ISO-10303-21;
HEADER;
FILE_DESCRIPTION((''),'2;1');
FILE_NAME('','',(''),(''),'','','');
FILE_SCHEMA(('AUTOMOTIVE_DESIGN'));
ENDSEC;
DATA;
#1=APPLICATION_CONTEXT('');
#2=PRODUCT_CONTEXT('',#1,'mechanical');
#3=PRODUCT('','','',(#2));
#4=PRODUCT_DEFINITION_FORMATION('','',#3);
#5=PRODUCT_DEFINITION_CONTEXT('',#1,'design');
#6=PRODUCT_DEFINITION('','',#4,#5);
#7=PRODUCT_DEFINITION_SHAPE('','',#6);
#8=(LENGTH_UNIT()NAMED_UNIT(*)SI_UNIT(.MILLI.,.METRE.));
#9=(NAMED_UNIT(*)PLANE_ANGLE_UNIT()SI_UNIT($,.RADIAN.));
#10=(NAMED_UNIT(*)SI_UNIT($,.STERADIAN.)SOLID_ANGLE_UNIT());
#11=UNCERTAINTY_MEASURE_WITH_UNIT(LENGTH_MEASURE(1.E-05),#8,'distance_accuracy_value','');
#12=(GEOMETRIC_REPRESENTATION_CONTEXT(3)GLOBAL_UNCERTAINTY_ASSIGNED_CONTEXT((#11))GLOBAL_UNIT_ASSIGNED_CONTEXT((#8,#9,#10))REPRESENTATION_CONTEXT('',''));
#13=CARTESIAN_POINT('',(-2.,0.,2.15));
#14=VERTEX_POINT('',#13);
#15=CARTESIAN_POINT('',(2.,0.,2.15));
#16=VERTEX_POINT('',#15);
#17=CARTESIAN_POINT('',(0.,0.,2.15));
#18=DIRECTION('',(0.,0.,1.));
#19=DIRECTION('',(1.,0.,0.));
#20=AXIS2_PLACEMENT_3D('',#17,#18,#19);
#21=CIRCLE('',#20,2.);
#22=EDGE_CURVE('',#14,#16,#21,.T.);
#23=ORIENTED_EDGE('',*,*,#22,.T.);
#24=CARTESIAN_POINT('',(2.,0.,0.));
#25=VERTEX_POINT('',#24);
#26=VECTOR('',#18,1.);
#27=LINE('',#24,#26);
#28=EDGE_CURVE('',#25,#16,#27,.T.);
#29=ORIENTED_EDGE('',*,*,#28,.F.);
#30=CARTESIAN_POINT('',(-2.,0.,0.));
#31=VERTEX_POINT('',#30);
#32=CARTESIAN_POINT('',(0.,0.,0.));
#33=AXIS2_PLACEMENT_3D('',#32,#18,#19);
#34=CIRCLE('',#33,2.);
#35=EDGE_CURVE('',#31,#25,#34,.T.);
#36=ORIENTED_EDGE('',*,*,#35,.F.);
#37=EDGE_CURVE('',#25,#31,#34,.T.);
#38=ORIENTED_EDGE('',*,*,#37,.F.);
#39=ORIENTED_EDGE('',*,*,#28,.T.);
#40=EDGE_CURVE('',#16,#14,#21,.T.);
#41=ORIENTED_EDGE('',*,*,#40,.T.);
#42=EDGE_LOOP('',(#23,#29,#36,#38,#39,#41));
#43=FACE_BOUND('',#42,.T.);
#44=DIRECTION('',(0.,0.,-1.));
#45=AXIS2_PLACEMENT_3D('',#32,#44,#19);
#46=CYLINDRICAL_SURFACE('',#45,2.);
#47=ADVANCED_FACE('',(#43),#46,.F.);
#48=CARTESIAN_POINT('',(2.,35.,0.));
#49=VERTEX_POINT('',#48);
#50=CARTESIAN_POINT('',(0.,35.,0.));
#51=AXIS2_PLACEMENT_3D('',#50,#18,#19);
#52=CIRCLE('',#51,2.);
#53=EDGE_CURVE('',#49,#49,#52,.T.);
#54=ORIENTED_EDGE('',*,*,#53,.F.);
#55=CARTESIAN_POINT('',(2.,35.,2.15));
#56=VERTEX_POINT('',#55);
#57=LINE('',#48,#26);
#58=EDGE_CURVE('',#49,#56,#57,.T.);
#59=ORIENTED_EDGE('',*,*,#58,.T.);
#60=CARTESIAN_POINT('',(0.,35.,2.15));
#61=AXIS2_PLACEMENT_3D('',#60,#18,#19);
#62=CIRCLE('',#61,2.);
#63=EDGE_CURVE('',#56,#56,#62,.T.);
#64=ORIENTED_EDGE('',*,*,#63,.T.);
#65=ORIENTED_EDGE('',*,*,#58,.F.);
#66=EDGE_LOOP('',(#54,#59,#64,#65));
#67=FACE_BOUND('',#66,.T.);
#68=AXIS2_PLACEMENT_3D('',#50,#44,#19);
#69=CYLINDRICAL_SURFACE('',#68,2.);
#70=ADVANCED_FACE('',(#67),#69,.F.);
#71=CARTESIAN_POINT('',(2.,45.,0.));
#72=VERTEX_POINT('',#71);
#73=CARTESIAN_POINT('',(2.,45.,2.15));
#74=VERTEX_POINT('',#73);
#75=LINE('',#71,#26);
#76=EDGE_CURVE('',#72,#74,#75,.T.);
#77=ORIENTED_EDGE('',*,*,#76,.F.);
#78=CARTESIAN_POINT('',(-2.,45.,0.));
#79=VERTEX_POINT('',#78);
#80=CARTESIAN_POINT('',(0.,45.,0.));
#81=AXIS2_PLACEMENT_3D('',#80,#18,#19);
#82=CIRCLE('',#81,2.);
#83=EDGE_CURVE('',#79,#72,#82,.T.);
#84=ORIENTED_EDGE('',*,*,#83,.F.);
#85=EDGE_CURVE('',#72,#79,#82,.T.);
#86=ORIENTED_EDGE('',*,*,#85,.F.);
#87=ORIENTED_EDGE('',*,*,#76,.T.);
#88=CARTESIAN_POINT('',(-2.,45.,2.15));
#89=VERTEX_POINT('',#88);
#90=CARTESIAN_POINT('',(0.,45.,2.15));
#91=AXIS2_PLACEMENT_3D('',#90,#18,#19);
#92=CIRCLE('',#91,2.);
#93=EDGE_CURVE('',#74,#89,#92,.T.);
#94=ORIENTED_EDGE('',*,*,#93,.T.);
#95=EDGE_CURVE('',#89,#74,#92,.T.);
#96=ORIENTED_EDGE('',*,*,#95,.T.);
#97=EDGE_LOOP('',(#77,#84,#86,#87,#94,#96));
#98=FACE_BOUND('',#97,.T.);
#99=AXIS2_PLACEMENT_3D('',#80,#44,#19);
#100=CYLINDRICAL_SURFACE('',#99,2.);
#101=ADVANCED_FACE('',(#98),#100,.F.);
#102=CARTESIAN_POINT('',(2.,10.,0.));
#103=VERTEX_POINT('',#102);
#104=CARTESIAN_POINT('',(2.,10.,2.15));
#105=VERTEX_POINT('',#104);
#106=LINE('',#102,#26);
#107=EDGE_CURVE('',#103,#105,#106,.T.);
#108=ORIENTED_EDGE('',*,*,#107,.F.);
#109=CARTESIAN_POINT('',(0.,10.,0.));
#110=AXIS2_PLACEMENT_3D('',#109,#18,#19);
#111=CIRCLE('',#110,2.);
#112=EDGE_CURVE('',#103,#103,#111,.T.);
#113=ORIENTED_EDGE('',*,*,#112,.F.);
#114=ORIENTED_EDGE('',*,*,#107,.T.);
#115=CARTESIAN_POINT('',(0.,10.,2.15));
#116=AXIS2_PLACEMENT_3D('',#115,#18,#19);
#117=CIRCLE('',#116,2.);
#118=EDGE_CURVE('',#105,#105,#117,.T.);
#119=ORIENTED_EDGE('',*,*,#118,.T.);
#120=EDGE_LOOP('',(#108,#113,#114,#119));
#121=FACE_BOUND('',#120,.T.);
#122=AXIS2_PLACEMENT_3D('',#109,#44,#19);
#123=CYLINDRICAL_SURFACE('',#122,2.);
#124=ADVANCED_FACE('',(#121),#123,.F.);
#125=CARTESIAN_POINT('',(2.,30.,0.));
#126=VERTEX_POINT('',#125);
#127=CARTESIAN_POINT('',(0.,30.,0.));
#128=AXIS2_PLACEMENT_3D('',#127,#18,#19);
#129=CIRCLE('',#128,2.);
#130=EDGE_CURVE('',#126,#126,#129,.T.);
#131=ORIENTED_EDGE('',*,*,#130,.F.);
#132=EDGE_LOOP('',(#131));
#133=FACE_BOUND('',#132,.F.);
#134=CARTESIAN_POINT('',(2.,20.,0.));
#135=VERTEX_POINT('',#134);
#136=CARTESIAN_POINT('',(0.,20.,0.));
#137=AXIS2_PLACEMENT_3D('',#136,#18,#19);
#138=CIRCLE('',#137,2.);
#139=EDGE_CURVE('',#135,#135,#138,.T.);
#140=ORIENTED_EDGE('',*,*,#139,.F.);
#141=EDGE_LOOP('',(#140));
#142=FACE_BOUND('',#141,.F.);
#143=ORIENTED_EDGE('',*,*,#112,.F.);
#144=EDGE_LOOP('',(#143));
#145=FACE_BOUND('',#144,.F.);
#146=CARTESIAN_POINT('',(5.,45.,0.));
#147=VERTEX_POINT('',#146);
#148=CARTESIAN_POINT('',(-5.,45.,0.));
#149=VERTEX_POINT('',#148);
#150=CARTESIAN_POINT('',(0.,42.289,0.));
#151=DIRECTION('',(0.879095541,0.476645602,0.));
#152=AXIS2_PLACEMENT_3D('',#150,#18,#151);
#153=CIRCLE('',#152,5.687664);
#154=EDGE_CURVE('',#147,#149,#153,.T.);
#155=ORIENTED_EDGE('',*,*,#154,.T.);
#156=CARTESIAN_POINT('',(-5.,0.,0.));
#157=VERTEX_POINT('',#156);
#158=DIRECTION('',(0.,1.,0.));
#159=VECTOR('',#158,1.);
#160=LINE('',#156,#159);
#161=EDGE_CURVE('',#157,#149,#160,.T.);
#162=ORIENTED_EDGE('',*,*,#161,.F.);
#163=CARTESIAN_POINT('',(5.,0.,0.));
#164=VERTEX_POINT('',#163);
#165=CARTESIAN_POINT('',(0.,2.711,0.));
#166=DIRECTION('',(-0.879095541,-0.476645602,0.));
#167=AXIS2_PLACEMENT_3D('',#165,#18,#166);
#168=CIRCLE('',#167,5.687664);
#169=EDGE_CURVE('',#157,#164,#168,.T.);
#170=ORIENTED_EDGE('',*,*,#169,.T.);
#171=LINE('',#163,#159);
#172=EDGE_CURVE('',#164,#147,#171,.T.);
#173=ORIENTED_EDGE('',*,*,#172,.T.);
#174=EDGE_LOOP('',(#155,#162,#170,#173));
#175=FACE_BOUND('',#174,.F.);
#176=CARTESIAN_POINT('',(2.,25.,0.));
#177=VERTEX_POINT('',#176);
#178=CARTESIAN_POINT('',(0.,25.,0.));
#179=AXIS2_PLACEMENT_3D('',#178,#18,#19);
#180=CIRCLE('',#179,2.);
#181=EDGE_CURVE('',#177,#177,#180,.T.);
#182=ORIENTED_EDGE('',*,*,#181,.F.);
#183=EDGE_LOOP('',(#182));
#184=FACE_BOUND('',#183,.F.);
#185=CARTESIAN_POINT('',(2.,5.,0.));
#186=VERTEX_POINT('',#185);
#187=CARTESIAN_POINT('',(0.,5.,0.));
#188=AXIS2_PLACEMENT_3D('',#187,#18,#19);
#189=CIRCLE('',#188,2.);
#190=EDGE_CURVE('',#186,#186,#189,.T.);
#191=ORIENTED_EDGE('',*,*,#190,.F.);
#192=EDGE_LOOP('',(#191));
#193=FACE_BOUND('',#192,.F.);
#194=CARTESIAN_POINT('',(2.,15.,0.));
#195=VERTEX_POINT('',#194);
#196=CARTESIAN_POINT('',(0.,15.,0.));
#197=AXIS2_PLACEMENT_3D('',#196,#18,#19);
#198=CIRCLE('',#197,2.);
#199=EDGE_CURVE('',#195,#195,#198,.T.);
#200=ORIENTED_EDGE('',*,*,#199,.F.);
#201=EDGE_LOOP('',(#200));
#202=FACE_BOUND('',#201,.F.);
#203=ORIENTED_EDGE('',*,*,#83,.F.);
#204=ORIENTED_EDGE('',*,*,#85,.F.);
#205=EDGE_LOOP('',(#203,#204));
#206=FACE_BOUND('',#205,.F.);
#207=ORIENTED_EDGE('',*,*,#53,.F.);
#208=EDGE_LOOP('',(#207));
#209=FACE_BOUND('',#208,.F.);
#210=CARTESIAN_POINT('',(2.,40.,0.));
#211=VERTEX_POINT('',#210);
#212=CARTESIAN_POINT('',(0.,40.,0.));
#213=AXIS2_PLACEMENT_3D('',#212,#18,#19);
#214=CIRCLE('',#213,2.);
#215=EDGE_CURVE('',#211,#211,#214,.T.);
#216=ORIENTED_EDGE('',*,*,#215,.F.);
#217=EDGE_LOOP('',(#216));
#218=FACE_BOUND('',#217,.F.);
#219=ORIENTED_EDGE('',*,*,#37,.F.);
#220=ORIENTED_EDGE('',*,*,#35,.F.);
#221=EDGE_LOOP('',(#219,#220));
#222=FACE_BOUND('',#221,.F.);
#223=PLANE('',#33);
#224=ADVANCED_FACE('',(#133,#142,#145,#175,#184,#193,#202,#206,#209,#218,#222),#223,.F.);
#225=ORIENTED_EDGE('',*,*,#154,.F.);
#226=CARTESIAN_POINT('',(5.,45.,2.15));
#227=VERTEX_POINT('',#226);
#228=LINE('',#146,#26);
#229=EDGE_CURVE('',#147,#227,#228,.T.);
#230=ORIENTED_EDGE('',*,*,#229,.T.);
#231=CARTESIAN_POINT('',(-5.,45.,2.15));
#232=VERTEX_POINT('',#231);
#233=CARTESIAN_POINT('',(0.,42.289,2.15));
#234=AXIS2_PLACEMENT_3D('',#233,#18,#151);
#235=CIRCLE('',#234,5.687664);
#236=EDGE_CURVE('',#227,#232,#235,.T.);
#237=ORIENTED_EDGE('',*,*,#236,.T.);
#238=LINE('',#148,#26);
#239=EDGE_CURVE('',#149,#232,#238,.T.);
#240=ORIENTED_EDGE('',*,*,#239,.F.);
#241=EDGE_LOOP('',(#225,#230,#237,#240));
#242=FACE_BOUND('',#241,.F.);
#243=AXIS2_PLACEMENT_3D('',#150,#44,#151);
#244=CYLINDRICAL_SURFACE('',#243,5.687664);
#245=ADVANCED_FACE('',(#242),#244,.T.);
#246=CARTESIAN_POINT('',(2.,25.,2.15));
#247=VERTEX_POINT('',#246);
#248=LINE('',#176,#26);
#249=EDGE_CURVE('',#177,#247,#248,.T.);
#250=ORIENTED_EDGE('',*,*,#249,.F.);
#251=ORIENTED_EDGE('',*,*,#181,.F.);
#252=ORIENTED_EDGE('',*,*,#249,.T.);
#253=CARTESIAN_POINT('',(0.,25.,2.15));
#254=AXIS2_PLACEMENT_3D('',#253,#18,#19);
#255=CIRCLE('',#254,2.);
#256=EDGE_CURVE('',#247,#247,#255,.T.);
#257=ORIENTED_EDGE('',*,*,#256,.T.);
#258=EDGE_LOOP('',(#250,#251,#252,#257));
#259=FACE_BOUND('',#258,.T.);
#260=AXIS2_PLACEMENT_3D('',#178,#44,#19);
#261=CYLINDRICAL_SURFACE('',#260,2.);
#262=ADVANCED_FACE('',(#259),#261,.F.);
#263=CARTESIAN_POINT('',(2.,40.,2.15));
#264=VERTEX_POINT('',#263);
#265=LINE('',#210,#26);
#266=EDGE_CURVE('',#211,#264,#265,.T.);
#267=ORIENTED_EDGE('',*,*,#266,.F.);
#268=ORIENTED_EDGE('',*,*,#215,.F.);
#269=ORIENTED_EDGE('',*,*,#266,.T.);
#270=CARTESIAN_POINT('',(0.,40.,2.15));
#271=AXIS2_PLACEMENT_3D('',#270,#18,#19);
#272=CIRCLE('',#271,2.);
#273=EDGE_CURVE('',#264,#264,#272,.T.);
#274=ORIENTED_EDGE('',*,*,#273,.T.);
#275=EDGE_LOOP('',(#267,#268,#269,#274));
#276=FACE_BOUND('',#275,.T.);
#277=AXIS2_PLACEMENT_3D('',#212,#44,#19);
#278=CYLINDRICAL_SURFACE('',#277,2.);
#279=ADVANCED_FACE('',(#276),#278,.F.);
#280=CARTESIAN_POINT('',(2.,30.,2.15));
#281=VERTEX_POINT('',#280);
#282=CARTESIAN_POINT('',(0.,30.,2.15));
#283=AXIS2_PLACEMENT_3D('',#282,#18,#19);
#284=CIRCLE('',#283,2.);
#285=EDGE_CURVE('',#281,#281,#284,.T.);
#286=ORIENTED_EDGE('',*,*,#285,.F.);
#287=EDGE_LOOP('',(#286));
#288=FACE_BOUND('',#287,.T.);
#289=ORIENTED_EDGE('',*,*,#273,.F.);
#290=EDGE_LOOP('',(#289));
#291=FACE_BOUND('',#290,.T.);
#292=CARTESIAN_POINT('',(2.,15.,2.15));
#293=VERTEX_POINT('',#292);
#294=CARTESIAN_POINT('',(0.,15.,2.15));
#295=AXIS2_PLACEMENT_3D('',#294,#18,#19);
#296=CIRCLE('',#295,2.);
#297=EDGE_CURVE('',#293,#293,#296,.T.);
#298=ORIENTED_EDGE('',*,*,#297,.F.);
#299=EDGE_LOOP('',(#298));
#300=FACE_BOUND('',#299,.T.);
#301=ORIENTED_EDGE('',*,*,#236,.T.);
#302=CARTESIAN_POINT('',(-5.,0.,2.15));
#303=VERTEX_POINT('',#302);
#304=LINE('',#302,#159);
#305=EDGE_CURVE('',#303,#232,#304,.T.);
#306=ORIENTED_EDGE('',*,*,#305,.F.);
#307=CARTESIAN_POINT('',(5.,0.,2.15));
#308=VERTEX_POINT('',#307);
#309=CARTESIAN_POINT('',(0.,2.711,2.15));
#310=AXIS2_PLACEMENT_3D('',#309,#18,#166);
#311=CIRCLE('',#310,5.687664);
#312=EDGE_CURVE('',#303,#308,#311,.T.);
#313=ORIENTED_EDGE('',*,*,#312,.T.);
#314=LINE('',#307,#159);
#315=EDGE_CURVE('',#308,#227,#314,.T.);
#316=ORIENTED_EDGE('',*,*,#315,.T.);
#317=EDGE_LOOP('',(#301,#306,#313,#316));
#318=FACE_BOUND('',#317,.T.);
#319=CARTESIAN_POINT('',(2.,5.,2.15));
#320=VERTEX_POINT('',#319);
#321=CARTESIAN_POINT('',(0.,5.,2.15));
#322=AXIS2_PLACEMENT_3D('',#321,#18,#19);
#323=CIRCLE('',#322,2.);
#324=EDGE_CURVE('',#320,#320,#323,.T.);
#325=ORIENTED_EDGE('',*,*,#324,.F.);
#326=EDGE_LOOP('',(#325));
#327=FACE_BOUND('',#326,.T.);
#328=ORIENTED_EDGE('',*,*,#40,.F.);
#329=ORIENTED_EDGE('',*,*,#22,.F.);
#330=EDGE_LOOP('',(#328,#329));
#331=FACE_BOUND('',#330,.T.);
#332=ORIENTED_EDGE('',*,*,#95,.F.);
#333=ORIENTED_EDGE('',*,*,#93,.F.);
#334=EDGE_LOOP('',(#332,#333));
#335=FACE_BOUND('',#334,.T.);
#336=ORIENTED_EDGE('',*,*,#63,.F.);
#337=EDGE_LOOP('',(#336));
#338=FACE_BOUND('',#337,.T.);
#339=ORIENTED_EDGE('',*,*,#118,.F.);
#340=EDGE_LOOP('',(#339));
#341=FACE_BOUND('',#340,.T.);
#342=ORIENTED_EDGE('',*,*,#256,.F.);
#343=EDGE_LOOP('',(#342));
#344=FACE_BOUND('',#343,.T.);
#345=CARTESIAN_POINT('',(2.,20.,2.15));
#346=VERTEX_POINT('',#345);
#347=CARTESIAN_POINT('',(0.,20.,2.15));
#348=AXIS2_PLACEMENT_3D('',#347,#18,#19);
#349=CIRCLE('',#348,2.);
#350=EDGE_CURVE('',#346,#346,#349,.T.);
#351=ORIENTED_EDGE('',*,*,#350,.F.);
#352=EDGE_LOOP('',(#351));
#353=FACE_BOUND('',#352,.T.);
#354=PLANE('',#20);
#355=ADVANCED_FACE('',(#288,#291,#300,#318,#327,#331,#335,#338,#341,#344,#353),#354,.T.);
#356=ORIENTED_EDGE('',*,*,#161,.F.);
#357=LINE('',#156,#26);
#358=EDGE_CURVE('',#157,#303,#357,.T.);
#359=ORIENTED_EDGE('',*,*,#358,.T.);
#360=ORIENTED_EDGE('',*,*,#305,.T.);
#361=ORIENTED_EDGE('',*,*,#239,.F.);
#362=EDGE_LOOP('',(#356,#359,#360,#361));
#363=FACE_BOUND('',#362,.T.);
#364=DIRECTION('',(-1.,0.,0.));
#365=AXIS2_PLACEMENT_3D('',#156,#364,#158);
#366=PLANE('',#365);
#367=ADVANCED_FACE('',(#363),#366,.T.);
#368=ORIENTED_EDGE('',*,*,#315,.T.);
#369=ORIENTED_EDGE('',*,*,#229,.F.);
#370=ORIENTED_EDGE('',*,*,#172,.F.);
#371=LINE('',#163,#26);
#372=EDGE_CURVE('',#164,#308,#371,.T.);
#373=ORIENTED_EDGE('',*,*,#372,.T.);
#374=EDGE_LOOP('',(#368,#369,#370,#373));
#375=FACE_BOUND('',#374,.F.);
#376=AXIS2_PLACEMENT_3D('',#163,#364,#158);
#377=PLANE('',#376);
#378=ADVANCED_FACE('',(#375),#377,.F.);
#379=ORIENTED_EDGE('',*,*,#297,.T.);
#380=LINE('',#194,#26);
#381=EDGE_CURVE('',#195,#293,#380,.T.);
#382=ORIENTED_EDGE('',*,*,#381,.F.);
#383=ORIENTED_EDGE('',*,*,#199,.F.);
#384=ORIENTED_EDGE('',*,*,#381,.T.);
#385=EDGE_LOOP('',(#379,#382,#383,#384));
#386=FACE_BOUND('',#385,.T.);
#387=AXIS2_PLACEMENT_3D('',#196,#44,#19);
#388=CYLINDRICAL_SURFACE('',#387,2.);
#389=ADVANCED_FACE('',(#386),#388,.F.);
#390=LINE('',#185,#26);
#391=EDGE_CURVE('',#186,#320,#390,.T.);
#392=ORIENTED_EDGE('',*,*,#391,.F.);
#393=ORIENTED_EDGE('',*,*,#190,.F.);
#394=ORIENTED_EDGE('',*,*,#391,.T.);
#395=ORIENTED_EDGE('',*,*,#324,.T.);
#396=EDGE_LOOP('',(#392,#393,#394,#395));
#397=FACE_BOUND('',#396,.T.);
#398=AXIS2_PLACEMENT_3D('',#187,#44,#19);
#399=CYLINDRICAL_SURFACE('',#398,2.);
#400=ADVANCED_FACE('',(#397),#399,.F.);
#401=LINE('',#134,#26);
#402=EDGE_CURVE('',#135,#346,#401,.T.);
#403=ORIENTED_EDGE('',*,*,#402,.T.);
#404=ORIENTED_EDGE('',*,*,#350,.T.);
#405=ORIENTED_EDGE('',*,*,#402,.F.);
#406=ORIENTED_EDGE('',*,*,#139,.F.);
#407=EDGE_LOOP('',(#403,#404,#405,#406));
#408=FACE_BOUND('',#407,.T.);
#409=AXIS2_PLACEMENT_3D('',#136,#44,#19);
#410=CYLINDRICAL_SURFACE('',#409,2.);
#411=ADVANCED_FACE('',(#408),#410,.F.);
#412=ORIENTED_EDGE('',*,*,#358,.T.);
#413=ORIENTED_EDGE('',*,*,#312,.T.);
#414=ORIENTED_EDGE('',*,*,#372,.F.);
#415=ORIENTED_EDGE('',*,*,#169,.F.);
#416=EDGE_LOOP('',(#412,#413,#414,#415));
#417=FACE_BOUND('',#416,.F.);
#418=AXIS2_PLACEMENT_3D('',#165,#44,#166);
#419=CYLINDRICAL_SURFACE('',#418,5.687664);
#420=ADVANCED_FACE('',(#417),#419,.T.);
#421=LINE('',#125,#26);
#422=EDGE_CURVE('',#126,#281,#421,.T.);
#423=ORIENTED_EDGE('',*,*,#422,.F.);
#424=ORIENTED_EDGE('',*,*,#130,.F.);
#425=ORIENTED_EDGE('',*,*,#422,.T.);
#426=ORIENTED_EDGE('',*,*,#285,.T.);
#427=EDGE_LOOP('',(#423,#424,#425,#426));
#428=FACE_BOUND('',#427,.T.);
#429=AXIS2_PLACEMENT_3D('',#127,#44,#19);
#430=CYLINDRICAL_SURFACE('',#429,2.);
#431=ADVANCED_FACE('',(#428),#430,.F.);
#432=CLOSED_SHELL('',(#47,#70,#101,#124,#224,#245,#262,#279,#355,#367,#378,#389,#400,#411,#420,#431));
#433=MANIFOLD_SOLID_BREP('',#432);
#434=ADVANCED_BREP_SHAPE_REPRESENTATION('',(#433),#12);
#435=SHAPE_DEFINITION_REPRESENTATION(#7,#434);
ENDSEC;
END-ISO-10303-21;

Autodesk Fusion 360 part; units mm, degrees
sketch "Sketch1" plane through (0, 0, 0) normal (0, 0, 1) x (1, 0, 0)
  line L0 (0, 0) -> (0, 45) construction
  line L1 (0, 0) -> (-5, 0)
  line L2 (-5, 0) -> (-5, 45)
  line L3 (-5, 45) -> (0, 45)
  line L4 (5, 0) -> (5, 45)
  line L5 (0, 22.5) -> (9.3523, 22.5) construction
  arc A0 (5, 45) -> (-5, 45) centre (0, 42.289) ccw
  circle A1 centre (0, 45) radius 2
  arc A2 (-5, 0) -> (5, 0) centre (0, 2.711) ccw
  circle A3 centre (0, 0) radius 2
  circle A4 centre (0, 40) radius 2
  circle A5 centre (0, 35) radius 2
  circle A6 centre (0, 30) radius 2
  circle A7 centre (0, 25) radius 2
  circle A8 centre (0, 5) radius 2
  circle A9 centre (0, 10) radius 2
  circle A10 centre (0, 15) radius 2
  circle A11 centre (0, 20) radius 2
  dimension "d1" = 45
  dimension "d2" = 5
  dimension "d3" = 45
  dimension "d4" = 4
  dimension "d7" = 4
  dimension "d8" = 4
  dimension "d9" = 4
  dimension "d10" = 4
extrude "Extrude1" add sketch "Sketch1" along normal blind 2.15 contours L2 L4 A0 A2 | A4 | A5 | A6 | A7 | A8 | A9 | A10 | A11
extrude "Extrude2" cut sketch "Sketch1" along normal up to surface (2.15 mm away) contours A4 | A5 | A6 | A7 | A8 | A9 | A10 | A11
